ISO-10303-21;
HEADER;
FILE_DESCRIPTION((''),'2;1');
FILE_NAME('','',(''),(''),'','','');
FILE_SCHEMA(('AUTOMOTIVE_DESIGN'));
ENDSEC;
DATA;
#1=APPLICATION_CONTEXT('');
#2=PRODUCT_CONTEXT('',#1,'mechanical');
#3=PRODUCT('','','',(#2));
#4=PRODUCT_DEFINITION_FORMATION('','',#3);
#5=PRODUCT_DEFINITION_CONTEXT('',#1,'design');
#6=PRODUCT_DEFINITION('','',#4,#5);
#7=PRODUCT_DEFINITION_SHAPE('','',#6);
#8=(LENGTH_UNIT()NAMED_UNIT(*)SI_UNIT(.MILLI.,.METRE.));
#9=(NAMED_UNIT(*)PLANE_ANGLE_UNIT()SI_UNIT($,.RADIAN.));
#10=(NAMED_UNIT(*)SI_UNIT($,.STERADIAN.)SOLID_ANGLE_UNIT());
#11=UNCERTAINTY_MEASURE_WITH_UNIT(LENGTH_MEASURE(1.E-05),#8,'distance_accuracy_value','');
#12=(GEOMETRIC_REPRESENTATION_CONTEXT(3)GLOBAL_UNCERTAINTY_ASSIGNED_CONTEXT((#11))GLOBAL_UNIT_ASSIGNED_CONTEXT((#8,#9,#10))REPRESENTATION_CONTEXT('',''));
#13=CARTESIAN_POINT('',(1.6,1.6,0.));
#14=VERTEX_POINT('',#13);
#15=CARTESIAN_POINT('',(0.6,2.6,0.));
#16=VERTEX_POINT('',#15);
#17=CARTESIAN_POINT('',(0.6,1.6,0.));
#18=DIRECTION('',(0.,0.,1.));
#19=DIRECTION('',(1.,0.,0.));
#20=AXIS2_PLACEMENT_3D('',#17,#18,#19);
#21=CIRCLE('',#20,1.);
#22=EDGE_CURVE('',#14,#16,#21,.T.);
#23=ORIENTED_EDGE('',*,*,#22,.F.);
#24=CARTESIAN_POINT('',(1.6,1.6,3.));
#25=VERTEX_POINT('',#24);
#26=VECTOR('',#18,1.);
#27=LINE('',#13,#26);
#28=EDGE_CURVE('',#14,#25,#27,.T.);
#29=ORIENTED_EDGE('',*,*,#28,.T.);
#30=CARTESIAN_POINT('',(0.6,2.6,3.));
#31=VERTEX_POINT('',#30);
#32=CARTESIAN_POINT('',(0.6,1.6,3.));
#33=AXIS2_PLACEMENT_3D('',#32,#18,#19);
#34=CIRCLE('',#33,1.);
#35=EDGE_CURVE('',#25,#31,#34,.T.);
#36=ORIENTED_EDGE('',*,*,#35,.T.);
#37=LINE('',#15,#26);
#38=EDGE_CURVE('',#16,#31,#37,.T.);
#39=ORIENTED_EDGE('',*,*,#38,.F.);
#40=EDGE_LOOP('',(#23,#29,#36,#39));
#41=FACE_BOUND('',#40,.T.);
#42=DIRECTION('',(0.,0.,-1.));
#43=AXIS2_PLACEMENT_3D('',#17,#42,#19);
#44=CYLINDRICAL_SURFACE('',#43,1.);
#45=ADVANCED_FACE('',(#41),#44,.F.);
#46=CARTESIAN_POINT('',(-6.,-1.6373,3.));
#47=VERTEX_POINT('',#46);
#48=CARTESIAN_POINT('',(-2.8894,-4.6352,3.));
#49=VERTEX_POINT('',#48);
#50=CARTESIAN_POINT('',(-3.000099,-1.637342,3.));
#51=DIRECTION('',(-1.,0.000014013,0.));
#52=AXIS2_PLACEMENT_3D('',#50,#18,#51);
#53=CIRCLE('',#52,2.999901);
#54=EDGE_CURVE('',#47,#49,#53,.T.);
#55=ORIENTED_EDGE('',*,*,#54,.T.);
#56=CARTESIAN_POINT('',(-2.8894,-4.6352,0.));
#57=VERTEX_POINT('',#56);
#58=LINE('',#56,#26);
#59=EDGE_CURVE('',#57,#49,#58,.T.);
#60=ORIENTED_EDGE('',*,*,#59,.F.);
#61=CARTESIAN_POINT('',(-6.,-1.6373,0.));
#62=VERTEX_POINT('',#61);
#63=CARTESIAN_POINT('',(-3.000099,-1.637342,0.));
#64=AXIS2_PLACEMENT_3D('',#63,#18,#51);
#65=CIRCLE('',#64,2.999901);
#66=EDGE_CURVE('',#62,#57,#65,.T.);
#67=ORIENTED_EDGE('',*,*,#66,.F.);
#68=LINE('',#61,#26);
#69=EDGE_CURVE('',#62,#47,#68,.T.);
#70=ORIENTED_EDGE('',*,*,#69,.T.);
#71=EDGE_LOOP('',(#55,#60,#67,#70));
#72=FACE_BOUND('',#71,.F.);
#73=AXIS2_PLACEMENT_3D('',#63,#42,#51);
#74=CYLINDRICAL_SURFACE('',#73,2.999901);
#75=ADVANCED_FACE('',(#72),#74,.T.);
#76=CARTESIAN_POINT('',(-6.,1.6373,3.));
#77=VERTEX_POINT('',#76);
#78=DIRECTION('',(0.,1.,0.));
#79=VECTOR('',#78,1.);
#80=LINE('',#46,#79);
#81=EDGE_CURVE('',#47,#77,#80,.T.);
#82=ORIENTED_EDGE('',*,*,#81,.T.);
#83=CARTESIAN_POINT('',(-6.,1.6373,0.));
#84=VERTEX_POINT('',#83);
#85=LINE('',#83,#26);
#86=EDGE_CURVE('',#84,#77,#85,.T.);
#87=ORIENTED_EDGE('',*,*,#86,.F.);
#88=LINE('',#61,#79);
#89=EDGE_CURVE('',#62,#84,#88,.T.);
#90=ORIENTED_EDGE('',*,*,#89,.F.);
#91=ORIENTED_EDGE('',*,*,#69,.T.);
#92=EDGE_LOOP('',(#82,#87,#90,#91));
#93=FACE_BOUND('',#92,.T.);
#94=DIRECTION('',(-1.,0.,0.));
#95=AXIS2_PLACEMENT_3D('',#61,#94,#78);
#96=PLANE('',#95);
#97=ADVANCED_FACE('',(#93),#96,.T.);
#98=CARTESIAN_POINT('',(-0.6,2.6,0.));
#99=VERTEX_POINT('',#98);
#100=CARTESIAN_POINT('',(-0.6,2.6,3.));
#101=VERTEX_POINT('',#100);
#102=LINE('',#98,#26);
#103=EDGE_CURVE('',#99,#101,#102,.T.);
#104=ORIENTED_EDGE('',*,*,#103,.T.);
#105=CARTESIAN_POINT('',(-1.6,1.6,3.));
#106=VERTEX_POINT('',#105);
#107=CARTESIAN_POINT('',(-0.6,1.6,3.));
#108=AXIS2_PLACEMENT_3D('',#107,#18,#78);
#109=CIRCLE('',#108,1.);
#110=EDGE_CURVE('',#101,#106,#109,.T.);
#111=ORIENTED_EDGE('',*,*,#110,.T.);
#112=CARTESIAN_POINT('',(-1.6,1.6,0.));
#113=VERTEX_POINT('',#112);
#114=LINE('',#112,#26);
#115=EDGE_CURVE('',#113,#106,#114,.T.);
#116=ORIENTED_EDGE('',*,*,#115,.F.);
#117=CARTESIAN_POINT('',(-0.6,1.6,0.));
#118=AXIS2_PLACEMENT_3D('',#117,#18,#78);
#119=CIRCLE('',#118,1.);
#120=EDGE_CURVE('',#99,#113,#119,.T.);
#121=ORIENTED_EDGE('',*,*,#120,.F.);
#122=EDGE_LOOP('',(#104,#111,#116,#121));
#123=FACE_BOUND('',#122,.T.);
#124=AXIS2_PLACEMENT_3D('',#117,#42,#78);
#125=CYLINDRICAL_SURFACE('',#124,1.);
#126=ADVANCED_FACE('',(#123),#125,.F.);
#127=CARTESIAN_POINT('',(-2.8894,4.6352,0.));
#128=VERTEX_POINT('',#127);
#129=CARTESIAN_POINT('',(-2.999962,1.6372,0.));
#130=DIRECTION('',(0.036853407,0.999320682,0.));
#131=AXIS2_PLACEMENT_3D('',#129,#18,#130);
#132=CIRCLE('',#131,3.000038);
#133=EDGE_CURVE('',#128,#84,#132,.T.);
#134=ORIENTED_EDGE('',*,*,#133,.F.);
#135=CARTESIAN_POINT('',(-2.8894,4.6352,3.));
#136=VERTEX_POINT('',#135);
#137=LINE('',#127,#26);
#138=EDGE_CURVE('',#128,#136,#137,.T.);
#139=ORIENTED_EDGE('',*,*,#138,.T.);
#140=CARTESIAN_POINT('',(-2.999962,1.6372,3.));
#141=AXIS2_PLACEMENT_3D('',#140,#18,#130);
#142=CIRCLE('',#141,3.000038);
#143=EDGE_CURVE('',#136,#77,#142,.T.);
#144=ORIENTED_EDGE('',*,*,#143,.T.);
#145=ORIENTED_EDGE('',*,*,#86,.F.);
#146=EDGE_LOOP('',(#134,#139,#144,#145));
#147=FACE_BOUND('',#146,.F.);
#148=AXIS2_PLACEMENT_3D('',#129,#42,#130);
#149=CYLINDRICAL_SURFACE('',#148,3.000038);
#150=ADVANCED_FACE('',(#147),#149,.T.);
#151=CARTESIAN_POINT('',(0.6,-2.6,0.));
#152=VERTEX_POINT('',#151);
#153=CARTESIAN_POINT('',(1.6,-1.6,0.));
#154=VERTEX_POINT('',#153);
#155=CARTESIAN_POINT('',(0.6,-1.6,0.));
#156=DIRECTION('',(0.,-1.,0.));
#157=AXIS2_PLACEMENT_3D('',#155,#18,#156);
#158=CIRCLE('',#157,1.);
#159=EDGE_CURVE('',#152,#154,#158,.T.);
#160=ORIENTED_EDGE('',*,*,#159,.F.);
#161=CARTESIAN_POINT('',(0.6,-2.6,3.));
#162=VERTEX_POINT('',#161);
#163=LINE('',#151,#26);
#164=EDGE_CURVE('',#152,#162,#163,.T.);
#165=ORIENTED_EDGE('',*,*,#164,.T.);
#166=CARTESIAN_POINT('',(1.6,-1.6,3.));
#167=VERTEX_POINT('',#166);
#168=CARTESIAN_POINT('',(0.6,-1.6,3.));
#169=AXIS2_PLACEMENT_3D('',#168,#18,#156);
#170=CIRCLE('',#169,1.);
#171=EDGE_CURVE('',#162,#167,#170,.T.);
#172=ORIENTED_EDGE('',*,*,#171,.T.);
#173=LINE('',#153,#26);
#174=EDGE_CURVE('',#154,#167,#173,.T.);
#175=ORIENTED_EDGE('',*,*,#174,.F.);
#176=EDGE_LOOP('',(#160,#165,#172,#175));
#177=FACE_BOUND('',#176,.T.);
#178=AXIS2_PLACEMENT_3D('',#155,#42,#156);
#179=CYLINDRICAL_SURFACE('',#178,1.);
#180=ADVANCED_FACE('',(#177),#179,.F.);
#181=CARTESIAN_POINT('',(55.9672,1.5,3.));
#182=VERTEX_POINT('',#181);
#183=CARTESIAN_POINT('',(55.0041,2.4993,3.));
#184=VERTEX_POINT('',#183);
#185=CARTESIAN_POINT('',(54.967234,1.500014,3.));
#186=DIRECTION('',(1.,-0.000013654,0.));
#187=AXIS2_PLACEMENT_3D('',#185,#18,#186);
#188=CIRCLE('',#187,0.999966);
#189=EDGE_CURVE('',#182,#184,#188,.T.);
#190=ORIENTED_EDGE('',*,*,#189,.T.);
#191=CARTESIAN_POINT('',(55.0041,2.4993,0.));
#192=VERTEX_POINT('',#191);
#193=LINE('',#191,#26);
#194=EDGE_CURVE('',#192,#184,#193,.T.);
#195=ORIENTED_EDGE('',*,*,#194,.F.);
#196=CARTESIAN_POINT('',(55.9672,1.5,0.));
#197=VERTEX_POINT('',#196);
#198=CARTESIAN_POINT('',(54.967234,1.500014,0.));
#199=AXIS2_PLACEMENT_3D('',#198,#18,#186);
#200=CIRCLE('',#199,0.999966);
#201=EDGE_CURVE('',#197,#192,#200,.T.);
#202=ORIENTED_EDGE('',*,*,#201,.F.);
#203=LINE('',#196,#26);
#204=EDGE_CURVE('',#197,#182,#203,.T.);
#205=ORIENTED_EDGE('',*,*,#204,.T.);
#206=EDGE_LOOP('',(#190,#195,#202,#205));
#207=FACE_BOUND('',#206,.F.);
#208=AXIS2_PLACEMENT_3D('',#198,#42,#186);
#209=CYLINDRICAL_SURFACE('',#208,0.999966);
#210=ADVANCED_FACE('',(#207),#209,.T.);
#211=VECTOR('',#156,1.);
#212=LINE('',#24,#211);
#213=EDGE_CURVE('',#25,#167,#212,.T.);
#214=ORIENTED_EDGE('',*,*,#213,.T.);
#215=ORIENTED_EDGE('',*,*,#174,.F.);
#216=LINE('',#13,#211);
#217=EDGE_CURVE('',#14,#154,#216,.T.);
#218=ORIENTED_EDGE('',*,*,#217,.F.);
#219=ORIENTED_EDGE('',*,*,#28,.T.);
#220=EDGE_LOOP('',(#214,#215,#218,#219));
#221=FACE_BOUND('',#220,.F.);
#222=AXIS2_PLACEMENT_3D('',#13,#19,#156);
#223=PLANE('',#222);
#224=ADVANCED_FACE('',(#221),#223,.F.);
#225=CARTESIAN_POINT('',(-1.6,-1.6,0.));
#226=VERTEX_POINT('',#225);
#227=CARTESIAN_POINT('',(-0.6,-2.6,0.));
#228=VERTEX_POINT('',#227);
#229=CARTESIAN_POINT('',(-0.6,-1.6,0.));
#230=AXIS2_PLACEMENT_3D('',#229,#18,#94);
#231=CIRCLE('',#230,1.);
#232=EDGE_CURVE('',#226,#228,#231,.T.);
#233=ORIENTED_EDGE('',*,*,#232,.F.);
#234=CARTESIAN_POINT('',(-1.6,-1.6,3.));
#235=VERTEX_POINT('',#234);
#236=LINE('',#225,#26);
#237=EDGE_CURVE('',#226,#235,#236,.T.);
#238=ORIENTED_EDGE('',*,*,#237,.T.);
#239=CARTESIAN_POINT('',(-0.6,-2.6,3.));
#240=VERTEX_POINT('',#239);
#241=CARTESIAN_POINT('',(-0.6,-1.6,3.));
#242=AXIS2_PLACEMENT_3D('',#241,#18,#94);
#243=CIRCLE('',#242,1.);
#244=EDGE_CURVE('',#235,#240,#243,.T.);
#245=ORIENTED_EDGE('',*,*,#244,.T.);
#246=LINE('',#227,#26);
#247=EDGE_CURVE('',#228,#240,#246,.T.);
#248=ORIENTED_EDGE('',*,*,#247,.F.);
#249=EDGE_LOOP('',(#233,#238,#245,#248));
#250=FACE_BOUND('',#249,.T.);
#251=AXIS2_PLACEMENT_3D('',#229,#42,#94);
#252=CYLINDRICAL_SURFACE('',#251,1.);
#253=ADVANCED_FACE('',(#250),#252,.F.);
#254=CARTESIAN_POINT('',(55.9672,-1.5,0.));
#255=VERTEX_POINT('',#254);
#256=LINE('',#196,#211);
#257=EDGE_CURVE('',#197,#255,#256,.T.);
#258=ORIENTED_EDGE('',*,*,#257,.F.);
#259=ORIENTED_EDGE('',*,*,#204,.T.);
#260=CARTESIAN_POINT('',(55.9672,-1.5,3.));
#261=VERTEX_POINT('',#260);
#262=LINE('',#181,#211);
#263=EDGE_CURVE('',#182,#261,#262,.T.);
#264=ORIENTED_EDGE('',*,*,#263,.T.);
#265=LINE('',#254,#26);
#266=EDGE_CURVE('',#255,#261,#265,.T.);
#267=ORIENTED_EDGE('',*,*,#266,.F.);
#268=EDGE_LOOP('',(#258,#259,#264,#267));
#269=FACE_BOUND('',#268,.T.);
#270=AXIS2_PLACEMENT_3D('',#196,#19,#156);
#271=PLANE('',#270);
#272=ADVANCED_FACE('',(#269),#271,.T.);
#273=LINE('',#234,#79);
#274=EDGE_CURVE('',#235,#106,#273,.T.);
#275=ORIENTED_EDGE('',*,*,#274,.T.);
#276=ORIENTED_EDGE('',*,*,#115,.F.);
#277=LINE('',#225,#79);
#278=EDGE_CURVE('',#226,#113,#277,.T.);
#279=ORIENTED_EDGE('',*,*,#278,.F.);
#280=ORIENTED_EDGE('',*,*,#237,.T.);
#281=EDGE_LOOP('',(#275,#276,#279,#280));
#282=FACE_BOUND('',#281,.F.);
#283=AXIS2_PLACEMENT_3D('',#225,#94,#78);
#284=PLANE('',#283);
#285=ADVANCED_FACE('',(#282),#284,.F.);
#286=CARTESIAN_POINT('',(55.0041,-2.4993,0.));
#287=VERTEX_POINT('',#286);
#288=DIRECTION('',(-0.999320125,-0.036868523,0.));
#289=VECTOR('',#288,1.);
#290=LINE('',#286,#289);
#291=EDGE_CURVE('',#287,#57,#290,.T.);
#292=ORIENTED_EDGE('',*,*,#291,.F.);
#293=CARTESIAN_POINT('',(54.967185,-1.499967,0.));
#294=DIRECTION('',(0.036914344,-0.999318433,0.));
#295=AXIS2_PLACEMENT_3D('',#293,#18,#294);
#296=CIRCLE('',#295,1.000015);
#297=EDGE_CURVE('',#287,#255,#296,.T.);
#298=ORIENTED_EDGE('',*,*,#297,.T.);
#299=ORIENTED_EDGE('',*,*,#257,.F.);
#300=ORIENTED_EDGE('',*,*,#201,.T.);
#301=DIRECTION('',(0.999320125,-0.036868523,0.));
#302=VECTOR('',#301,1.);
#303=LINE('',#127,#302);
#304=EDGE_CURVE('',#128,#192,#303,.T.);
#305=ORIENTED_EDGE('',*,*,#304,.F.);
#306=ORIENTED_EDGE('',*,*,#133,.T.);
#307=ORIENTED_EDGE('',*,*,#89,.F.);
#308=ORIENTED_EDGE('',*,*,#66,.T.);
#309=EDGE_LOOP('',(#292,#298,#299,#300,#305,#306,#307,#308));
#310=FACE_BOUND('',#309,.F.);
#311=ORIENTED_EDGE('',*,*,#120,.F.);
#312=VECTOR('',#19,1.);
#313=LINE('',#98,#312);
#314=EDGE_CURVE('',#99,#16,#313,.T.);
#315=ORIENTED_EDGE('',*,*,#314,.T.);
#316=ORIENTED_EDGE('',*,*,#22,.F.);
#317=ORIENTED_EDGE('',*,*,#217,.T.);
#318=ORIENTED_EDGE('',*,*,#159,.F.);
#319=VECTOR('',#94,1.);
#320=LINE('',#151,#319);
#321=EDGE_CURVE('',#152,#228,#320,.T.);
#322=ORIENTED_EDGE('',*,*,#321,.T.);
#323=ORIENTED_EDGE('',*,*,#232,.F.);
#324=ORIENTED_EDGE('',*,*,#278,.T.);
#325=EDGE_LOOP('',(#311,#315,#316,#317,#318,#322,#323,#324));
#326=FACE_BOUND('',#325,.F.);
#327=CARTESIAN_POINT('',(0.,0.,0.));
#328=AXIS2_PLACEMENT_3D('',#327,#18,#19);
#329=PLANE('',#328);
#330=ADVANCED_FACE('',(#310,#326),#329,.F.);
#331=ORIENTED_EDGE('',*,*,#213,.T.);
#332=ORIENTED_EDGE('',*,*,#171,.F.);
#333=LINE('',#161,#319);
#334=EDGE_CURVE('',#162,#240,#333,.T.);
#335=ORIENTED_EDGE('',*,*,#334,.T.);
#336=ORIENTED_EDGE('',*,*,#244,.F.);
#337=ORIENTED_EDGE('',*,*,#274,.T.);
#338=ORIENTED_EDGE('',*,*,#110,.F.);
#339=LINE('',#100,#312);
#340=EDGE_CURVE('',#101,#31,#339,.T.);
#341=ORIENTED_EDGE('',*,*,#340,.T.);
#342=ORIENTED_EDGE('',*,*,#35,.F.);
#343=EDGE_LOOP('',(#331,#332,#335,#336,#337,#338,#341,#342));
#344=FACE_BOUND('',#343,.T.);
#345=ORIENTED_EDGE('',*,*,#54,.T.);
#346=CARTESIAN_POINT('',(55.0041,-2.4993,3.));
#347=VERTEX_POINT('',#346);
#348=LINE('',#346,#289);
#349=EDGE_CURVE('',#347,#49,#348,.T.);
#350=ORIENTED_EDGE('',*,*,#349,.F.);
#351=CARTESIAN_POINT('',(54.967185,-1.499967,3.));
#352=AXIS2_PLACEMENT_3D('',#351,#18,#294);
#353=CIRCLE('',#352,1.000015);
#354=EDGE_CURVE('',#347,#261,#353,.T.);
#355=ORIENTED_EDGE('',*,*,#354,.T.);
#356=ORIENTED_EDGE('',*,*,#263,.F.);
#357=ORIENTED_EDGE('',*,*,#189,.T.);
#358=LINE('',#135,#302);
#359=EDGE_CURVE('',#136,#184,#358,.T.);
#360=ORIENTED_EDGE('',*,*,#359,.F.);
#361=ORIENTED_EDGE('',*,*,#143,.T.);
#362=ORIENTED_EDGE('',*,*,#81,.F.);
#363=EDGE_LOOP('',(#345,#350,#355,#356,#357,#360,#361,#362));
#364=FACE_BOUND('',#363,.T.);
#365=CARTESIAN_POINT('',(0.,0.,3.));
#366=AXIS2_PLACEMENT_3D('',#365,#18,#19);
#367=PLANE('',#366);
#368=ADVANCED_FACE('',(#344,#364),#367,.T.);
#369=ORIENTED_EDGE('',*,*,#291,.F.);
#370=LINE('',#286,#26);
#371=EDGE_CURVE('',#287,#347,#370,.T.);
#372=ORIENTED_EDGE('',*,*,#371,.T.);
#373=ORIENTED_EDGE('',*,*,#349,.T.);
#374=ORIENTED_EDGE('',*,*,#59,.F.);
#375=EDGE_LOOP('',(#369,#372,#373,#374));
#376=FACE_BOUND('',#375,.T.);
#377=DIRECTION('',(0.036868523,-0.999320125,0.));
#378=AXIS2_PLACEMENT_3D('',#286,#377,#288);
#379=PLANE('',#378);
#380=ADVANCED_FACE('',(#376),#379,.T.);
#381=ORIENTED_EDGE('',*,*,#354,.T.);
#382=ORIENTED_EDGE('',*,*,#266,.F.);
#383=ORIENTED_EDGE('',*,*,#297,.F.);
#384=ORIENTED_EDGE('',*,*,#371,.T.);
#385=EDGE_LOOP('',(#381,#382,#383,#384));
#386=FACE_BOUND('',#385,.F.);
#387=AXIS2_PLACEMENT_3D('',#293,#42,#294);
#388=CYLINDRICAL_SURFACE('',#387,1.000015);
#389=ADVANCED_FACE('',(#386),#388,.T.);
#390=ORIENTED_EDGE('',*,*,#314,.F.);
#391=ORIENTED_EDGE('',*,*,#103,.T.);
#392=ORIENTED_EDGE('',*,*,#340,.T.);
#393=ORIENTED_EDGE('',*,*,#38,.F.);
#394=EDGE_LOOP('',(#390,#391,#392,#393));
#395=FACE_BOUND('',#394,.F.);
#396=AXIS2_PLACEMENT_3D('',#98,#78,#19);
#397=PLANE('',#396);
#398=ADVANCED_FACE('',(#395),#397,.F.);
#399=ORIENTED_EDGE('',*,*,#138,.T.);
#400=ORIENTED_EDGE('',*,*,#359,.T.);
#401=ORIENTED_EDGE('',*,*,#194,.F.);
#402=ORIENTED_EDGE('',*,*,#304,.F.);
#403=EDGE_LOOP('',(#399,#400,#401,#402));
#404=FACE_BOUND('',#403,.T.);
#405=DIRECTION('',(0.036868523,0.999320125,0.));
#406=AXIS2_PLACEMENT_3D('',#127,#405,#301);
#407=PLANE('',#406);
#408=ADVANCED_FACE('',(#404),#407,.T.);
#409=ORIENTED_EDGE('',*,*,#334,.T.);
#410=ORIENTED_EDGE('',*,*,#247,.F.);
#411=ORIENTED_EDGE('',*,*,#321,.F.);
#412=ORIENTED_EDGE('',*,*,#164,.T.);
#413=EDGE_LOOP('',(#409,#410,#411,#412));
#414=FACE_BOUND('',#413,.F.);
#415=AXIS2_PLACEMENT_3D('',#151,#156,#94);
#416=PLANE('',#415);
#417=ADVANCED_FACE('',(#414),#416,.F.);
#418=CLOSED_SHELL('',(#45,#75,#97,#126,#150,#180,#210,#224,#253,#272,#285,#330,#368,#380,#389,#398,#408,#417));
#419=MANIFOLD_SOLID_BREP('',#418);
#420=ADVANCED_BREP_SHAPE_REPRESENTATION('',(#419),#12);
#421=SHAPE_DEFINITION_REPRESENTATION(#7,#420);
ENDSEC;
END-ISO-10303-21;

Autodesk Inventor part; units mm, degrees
ref_plane "YZ Plane" through (0, 0, 0) normal (1, 0, 0) x (0, 1, 0)
ref_plane "XZ Plane" through (0, 0, 0) normal (0, 1, 0) x (-1, 0, 0)
ref_plane "XY Plane" through (0, 0, 0) normal (0, 0, 1) x (1, 0, 0)
sketch "Sketch1" plane through (0, 0, 0) normal (0, 0, 1) x (1, 0, 0)
  line L0 (-2.8894, 4.6352) -> (55.0041, 2.4993)
  line L1 (55.0041, -2.4993) -> (-2.8894, -4.6352)
  line L2 (-6, -1.6373) -> (-6, 1.6373)
  line L3 (-0.6, 2.6) -> (0.6, 2.6)
  line L4 (1.6, 1.6) -> (1.6, -1.6)
  line L5 (0.6, -2.6) -> (-0.6, -2.6)
  line L6 (-1.6, -1.6) -> (-1.6, 1.6)
  line L7 (0, 0) -> (0, 4.5286) construction
  line L8 (0, 0) -> (-6, 0) construction
  arc A0 (-2.8894, 4.6352) -> (-6, 1.6373) centre (-3, 1.6373) ccw
  arc A1 (-6, -1.6373) -> (-2.8894, -4.6352) centre (-3, -1.6373) ccw
  arc A2 (55.9672, 1.5) -> (55.0041, 2.4993) centre (54.9672, 1.5) ccw
  arc A3 (55.0041, -2.4993) -> (55.9672, -1.5) centre (54.9672, -1.5) ccw
  arc A4 (-0.6, 2.6) -> (-1.6, 1.6) centre (-0.6, 1.6) ccw
  arc A5 (1.6, 1.6) -> (0.6, 2.6) centre (0.6, 1.6) ccw
  arc A6 (0.6, -2.6) -> (1.6, -1.6) centre (0.6, -1.6) ccw
  arc A7 (-1.6, -1.6) -> (-0.6, -2.6) centre (-0.6, -1.6) ccw
  line L9 (55.9672, 1.5) -> (55.9672, -1.5)
  point P0 (-6, 4.75)
  point P1 (-6, -4.75)
  point P2 (-1.6, 2.6)
  point P3 (1.6, -2.6)
  point P4 (1.6, 2.6)
  dimension "d0" = 6
  dimension "d2" = 3.2
  dimension "d3" = 5.2
  dimension "d4" = 9.5
  dimension "d5" = 3
  dimension "d6" = 3
  dimension "d7" = 1
  dimension "d8" = 1
  dimension "d9" = 3
  dimension "d14" = 3.2746
extrude "Extrusion1" add sketch "Sketch1" along normal blind 3
properties part number "slider_link_p3"
